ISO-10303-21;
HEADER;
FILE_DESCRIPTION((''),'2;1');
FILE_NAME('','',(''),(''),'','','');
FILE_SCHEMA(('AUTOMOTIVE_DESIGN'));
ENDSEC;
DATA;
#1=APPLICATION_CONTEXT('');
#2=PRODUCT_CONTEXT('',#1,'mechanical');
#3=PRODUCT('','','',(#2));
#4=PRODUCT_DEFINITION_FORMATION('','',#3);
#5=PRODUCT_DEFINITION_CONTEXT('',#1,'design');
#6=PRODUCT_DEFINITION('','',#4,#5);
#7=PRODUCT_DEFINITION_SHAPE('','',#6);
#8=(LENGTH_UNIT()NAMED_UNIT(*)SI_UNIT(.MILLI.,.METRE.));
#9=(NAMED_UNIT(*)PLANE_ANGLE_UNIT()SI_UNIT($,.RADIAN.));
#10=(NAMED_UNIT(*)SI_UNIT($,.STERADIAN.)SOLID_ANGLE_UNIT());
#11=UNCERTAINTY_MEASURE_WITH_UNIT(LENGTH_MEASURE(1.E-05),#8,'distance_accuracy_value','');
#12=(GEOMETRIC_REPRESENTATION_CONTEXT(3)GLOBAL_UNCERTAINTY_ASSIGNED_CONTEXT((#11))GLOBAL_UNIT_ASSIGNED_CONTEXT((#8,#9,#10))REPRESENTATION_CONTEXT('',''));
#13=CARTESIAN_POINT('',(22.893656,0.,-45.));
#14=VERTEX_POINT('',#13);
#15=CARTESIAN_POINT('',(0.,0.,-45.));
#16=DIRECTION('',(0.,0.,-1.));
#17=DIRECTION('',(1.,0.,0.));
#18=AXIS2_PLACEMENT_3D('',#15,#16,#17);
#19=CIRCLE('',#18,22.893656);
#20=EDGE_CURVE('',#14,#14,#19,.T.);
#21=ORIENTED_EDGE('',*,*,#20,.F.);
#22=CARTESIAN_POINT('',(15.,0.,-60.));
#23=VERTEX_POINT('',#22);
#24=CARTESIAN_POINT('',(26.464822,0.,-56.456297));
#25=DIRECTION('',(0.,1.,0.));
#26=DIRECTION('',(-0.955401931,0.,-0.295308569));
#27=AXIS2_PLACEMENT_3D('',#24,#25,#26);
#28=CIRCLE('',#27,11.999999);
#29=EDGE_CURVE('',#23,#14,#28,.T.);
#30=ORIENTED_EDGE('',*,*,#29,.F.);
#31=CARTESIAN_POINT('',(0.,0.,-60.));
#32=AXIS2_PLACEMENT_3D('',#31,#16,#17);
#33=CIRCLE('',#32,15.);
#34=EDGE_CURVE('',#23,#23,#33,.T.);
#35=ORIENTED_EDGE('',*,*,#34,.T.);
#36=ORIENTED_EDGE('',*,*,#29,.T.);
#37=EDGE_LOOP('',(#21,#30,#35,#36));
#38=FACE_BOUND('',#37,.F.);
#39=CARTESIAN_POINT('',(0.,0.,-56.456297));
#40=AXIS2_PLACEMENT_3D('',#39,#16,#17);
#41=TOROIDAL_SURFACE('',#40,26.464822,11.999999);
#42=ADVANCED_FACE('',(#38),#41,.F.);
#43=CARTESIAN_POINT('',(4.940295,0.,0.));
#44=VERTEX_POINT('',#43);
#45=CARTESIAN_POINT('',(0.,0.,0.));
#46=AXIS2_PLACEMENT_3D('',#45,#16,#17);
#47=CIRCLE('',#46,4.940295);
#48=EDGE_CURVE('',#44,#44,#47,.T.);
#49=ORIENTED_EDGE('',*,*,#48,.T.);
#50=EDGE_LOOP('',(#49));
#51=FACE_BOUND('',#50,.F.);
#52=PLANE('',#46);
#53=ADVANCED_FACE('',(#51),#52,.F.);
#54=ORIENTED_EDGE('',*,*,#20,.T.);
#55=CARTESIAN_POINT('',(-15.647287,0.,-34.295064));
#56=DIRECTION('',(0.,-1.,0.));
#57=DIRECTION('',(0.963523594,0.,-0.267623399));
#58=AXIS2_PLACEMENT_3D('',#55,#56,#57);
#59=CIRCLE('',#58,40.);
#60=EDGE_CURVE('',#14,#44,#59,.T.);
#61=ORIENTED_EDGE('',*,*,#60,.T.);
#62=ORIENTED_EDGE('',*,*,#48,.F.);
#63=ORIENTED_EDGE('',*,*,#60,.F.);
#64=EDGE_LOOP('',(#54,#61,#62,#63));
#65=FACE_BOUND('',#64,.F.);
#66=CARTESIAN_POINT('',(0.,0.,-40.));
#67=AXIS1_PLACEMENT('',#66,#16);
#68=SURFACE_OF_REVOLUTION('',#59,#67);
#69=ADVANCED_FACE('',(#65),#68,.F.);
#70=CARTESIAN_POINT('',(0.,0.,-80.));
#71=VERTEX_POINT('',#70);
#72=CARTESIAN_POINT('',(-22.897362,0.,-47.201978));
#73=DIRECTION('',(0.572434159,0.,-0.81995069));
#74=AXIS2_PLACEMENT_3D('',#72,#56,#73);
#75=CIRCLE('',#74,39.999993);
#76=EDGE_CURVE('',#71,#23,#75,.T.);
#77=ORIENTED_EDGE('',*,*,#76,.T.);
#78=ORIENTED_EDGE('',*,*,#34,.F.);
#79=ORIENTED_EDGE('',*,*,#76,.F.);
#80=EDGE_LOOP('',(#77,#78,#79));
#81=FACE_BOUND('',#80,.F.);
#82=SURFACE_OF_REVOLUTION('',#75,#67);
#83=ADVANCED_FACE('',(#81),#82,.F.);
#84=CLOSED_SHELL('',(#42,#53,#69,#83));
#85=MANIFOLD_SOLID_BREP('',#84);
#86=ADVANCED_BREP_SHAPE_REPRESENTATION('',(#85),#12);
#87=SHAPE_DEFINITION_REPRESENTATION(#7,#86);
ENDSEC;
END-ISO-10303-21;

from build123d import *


with BuildPart() as f1:
    # F0 (on Front) → F1 (revolve)
    with BuildSketch(Plane.XZ):
        with BuildLine():
            Line((4.940295, 0), (0, 0))
            Line((0, 0), (0, -45))
            Line((0, -45), (22.893656, -45))
            ThreePointArc((22.893656, -45), (21.505043, -19.472638), (4.940295, 0))
        make_face()
        with BuildLine():
            Line((22.893656, -45), (0, -45))
            Line((0, -45), (0, -60))
            Line((0, -60), (15, -60))
            ThreePointArc((15, -60), (15.845489, -50.86794), (22.893656, -45))
        make_face()
        with BuildLine():
            Line((15, -60), (0, -60))
            Line((0, -60), (0, -80))
            ThreePointArc((0, -80), (9.102632, -71.201974), (15, -60))
        make_face()
    revolve(axis=Axis((0, 0, -40), (0, 0, -1)))


solid = f1.part
